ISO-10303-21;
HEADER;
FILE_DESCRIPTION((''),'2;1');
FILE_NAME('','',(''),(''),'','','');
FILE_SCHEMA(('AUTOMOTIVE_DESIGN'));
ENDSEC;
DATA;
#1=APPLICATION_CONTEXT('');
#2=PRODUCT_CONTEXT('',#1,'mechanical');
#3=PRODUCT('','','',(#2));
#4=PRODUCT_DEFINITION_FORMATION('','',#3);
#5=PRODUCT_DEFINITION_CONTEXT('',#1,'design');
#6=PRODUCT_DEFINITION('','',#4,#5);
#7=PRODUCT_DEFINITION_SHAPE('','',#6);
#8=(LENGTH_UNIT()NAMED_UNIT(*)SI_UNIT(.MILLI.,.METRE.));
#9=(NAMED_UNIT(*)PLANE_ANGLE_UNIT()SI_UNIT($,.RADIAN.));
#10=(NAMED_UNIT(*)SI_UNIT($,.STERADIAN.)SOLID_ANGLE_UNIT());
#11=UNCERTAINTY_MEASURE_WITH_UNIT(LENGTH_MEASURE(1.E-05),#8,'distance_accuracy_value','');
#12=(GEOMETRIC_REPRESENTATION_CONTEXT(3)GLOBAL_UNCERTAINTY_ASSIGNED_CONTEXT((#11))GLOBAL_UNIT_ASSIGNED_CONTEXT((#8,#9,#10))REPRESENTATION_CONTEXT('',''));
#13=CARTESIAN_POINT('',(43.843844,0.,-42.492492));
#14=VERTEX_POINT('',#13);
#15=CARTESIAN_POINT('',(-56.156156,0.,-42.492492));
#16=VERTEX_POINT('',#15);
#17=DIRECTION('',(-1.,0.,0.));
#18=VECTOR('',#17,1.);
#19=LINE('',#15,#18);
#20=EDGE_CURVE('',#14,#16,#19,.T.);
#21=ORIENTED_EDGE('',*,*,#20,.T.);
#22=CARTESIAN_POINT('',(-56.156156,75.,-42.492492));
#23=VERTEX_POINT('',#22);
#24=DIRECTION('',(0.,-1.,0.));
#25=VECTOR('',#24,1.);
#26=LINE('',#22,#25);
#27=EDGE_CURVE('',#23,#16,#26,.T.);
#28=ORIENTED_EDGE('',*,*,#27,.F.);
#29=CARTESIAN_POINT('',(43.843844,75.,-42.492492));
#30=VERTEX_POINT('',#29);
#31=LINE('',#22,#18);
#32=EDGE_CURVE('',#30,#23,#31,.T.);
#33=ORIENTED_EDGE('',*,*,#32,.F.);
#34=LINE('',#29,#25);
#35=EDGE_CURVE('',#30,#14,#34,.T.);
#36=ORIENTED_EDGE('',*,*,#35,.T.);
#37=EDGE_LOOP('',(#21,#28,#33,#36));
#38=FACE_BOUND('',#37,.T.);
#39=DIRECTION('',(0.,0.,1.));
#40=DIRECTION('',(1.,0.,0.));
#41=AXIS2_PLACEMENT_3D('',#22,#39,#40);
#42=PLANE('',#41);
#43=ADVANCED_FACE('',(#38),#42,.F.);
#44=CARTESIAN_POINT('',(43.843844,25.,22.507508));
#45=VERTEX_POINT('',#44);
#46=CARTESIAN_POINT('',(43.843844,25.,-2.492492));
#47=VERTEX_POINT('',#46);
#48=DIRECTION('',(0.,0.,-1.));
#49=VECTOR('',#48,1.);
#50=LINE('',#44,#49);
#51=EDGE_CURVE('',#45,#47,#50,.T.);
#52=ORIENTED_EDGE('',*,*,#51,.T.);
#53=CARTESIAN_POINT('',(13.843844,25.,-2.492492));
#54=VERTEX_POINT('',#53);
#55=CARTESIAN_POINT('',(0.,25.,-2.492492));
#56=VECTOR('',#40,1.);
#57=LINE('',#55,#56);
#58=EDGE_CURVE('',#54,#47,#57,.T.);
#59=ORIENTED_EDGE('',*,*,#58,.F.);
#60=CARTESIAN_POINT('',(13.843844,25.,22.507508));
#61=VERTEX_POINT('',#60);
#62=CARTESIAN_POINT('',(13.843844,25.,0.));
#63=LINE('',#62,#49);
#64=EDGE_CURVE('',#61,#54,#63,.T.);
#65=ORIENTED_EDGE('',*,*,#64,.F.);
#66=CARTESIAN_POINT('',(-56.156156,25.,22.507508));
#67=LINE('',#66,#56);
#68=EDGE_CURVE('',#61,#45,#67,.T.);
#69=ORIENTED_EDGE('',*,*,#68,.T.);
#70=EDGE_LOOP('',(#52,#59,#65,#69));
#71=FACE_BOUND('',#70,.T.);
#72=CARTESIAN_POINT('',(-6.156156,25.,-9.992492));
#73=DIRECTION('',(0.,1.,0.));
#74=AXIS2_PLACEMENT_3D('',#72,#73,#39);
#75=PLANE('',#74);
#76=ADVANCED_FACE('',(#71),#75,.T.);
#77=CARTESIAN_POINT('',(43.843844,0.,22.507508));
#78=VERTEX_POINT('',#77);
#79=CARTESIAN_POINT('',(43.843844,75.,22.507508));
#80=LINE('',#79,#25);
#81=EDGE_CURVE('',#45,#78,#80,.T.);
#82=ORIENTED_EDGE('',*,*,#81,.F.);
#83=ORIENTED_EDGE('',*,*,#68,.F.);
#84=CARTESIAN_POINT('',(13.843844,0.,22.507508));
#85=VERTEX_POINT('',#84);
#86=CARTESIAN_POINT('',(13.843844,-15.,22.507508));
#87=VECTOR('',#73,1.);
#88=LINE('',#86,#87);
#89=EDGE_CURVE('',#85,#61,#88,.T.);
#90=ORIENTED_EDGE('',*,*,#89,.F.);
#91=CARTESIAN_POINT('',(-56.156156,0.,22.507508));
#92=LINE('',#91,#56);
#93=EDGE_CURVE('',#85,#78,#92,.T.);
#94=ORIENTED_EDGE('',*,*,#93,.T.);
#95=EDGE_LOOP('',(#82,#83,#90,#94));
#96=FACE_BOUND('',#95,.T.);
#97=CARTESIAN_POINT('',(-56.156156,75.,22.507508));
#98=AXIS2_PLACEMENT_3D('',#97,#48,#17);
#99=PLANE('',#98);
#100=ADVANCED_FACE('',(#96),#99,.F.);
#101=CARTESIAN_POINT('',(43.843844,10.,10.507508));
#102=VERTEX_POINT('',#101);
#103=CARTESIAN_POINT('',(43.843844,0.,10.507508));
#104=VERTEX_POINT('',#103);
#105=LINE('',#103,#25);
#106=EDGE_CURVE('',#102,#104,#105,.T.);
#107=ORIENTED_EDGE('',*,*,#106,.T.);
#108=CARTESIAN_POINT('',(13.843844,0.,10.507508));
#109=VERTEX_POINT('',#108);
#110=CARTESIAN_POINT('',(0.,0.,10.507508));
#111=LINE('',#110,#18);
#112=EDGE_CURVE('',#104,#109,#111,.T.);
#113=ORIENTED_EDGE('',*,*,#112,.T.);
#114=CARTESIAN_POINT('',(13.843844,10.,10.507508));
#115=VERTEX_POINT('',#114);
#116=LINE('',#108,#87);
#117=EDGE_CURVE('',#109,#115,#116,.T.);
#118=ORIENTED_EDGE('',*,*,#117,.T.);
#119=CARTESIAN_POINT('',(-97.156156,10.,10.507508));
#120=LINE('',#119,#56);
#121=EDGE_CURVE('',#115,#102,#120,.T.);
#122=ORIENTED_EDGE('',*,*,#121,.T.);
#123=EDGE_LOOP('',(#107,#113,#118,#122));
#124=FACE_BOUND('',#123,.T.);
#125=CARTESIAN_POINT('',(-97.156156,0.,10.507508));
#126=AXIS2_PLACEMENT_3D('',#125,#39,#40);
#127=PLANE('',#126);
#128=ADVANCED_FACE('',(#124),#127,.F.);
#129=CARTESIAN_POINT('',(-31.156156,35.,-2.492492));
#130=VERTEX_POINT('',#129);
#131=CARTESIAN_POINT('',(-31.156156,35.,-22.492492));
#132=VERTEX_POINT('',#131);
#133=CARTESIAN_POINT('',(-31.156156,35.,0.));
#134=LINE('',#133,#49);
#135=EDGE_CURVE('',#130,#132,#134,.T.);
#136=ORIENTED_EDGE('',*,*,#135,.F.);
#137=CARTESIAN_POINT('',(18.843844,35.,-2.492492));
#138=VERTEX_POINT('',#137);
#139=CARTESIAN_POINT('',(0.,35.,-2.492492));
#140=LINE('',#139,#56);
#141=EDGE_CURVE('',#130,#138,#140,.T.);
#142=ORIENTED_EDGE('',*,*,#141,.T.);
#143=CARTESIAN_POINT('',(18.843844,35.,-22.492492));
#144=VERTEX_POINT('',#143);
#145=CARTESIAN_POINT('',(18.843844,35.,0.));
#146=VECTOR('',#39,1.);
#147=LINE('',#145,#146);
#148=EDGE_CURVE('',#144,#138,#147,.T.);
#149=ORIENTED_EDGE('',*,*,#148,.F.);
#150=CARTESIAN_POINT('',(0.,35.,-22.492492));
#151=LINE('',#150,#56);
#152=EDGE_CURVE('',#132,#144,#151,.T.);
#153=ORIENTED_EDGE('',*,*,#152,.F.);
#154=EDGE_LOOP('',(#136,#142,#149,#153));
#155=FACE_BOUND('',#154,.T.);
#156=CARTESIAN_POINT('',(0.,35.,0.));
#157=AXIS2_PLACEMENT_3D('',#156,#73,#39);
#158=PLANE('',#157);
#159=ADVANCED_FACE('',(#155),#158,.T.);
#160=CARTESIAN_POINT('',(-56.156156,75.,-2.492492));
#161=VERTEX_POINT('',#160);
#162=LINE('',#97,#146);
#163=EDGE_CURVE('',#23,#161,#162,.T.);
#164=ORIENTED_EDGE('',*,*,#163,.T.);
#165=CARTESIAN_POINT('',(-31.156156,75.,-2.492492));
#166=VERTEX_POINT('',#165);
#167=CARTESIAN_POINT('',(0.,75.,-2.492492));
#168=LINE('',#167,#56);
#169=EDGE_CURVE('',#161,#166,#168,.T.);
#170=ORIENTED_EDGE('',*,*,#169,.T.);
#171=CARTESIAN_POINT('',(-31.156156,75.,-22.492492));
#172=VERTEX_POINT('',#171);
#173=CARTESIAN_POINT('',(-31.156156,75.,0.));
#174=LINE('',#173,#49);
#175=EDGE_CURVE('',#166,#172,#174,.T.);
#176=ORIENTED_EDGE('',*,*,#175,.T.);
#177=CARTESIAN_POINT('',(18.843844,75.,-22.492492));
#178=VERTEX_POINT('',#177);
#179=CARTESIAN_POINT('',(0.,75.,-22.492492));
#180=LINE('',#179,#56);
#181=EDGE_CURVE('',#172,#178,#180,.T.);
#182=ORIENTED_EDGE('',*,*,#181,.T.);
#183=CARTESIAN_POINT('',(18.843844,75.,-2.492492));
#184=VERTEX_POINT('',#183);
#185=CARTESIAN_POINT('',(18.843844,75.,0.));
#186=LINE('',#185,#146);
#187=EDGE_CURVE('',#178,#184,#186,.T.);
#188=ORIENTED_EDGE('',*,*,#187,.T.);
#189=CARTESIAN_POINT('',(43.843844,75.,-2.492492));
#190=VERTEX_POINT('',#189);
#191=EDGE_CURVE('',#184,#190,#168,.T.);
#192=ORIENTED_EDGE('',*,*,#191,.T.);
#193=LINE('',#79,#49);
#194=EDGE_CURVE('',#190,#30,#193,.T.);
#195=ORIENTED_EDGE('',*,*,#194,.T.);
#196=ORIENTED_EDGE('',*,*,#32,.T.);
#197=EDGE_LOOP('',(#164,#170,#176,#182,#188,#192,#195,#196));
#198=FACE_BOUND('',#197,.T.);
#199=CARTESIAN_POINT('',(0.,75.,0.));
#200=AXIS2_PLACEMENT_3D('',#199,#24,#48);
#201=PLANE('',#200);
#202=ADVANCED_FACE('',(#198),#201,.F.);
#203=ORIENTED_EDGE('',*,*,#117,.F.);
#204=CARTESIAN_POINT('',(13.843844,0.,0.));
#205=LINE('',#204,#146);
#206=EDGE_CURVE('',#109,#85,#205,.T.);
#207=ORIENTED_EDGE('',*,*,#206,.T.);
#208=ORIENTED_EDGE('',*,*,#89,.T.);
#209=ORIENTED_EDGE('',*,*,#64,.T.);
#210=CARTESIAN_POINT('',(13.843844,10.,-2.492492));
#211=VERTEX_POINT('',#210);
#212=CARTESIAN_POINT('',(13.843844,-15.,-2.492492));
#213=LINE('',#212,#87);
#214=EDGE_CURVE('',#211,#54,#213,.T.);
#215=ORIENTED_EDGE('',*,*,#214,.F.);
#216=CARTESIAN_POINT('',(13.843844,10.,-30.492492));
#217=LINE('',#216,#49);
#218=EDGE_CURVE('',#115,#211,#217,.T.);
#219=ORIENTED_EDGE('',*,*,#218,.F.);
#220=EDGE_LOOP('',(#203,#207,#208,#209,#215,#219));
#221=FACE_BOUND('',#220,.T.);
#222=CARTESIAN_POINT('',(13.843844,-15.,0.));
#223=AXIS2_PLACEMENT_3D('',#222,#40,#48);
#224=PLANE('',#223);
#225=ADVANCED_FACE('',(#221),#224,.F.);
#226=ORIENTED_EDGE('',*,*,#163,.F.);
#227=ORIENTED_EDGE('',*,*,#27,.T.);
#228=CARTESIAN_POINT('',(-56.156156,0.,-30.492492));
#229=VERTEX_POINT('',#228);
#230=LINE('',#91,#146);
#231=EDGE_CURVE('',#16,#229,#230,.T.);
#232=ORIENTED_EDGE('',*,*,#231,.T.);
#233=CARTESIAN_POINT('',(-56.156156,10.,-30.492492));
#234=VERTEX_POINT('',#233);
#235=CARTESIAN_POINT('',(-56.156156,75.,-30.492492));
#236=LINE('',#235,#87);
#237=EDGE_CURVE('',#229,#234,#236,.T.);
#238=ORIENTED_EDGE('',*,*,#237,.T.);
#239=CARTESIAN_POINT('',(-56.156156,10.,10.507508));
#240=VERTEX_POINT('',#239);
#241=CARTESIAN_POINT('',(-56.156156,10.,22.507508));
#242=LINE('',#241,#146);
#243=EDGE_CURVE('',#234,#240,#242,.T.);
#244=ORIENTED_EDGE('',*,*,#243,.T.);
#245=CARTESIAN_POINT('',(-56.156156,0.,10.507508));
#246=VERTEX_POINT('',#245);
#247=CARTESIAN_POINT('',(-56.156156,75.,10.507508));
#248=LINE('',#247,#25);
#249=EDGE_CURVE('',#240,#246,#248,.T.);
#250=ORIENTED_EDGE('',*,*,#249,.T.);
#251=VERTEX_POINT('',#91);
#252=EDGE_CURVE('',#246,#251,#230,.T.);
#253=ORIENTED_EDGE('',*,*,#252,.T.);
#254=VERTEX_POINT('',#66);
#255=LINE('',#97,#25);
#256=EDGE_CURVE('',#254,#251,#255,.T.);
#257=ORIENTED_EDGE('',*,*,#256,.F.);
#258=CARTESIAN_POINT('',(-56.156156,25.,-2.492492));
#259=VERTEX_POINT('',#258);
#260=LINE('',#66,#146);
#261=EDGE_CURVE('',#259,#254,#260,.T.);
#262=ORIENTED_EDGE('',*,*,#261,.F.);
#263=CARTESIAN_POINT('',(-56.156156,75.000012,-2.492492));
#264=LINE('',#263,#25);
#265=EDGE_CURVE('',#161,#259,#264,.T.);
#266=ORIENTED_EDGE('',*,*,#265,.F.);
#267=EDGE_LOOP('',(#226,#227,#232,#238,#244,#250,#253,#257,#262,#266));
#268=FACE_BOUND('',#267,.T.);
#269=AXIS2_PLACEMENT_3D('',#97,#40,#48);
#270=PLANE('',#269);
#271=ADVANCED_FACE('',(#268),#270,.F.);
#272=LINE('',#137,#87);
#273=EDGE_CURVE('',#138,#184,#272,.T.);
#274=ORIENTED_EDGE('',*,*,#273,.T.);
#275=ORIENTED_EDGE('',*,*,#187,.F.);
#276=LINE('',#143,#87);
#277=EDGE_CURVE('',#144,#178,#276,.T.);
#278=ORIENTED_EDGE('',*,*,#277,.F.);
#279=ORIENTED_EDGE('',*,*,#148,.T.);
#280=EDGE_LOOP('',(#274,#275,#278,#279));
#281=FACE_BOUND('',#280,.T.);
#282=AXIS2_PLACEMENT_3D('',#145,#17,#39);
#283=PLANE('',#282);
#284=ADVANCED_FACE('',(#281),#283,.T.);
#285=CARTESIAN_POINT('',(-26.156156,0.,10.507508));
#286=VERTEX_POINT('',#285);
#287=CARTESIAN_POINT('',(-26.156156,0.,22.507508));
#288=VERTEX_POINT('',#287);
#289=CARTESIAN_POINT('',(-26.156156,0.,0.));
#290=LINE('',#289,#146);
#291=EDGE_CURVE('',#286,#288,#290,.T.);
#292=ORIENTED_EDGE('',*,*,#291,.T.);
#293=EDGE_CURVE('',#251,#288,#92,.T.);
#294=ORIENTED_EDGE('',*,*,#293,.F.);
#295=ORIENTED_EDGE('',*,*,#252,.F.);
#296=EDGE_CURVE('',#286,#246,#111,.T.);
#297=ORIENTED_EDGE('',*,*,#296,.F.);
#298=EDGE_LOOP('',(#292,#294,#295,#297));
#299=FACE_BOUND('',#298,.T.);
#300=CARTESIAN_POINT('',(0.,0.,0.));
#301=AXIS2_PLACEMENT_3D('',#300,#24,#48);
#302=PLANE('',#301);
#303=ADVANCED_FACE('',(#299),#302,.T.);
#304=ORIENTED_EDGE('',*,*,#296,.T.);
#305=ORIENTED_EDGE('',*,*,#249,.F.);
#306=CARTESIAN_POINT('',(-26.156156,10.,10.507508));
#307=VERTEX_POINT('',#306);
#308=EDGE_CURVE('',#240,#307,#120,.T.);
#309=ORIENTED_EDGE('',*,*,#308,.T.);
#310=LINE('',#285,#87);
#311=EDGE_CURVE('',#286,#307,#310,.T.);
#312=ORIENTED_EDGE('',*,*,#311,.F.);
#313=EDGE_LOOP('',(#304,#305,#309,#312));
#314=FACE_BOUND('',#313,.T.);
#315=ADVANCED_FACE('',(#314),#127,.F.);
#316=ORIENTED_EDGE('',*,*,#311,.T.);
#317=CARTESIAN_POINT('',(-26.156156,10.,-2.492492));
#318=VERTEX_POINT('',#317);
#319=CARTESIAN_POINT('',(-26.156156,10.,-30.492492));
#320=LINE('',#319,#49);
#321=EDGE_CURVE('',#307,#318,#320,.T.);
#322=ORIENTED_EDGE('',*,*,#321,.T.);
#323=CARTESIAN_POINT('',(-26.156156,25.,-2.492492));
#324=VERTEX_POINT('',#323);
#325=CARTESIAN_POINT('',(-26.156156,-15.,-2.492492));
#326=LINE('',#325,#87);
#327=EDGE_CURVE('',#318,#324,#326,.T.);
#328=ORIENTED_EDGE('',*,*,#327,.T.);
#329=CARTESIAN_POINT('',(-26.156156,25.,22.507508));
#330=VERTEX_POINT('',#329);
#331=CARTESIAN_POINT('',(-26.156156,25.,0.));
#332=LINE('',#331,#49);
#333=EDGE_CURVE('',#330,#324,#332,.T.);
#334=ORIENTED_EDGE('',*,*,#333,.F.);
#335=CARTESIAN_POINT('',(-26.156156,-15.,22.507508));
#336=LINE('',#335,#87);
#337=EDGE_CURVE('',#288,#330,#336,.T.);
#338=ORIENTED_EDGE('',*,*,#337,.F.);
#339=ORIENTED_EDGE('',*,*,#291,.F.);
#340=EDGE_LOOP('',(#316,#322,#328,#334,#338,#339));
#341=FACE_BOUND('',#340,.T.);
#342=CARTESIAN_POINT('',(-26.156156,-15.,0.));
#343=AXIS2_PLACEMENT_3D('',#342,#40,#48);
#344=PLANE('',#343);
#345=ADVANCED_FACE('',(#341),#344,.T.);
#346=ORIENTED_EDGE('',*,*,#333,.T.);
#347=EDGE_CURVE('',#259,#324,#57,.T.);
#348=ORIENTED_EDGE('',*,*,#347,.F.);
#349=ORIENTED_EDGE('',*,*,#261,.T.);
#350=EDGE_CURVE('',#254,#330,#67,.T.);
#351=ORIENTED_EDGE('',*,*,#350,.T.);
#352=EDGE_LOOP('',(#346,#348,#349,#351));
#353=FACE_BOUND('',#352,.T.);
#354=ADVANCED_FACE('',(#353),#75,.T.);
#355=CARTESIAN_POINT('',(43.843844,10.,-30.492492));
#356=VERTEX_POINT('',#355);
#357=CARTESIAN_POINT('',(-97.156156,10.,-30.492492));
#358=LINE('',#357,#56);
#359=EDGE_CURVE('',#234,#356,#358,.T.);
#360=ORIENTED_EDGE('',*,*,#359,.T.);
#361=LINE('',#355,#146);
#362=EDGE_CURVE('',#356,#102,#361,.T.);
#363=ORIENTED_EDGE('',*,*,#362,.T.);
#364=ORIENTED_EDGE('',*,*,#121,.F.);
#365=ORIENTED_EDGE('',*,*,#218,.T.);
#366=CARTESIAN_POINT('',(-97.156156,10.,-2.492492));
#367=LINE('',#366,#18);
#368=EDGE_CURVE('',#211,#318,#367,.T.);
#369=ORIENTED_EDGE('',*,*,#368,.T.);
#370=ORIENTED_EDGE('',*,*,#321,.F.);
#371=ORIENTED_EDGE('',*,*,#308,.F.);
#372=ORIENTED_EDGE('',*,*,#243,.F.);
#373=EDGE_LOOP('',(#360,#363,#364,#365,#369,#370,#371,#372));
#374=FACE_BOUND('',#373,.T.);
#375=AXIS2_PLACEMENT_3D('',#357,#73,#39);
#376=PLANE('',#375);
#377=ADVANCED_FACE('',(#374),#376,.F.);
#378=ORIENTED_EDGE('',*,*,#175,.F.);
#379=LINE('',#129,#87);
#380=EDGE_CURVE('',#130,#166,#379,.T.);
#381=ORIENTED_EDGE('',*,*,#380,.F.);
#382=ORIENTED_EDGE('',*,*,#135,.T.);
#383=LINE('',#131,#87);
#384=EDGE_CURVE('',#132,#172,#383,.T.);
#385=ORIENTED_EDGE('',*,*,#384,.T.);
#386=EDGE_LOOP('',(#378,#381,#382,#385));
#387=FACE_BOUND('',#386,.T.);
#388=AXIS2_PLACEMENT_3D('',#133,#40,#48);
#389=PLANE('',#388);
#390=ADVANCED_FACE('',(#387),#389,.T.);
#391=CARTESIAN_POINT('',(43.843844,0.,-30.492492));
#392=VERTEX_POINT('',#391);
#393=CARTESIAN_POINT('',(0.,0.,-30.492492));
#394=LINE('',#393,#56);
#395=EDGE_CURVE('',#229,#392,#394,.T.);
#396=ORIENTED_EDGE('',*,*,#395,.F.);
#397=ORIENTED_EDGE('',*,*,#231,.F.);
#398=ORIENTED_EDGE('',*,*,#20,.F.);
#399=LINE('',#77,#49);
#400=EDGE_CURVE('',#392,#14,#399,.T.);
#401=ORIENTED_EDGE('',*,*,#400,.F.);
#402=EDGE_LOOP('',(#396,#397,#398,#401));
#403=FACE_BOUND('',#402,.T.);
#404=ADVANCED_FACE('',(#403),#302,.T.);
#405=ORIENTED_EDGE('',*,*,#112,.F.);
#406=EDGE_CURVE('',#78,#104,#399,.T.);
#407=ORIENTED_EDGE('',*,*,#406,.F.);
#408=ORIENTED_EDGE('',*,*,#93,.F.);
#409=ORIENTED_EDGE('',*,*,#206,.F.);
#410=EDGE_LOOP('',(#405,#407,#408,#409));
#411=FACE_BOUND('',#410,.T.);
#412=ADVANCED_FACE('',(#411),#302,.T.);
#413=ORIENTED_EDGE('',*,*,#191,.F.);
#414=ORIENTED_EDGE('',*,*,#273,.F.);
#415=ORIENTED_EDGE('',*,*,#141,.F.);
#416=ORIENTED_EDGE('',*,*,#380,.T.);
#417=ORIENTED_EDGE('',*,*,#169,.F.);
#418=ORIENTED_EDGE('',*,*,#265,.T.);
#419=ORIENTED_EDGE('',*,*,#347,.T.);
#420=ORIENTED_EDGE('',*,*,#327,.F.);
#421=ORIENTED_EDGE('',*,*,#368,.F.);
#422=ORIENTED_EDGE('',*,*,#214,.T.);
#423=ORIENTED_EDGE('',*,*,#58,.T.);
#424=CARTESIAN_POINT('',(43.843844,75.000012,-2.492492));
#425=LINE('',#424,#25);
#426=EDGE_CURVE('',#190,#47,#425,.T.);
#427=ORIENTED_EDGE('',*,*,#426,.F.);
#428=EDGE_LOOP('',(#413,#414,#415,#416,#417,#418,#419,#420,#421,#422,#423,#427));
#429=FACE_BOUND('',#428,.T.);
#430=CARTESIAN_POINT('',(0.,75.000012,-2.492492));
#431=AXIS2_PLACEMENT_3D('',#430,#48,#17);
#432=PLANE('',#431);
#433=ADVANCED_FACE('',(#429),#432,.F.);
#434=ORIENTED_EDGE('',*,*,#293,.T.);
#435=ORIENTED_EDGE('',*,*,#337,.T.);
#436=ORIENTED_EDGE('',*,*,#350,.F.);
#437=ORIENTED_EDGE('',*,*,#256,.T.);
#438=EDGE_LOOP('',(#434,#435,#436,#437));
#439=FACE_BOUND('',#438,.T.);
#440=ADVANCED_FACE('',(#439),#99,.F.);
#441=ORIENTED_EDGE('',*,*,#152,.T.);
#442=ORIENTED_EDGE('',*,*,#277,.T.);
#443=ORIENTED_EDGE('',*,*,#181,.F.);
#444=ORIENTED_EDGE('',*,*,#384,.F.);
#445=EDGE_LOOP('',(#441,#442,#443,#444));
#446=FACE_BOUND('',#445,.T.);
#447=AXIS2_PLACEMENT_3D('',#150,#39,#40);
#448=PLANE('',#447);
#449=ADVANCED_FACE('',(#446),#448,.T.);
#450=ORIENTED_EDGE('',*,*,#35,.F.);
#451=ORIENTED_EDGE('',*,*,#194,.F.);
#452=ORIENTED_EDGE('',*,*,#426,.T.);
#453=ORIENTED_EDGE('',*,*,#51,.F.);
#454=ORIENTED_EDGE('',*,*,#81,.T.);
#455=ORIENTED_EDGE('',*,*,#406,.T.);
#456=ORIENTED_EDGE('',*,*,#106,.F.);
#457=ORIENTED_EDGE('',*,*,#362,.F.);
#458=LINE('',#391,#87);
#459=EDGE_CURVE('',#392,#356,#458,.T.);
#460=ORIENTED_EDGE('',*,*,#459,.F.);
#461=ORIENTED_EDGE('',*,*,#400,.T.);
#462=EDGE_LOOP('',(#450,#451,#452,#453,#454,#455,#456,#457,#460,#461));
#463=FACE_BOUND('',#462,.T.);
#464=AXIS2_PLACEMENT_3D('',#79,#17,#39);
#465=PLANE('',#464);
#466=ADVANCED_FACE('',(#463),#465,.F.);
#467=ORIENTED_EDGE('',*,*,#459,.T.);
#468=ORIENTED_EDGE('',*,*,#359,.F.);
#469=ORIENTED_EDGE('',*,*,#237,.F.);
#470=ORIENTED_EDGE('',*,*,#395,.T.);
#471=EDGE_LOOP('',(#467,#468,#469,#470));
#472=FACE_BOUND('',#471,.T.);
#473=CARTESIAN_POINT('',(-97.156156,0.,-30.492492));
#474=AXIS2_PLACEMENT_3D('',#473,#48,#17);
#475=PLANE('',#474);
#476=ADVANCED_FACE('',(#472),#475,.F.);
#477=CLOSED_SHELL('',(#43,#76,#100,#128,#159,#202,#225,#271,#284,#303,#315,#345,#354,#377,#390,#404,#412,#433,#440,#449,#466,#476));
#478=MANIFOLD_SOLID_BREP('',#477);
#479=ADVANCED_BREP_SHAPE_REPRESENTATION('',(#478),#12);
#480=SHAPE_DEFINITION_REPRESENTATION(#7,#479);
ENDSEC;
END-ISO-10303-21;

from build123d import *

# Parameters (mm, degrees)
SKETCH1_W               = 100
SKETCH1_H               = 65
BOSS_EXTRUDE1_DEPTH     = 75
SKETCH5_W               = 41
SKETCH5_H               = 10
CUT_EXTRUDE1_DEPTH      = 141
SKETCH6_OUTSIDE_W       = 130.178
SKETCH6_OUTSIDE_H       = 95.178
SKETCH6_OUTSIDE_W_2     = 100
SKETCH6_OUTSIDE_H_2     = 40
CUT_EXTRUDE2_DEPTH      = 1
CUT_EXTRUDE2_DEPTH_BACK = 50
SKETCH7_W               = 50
SKETCH7_H               = 20
CUT_EXTRUDE3_DEPTH      = 40
SKETCH10_W              = 40
SKETCH10_H              = 25
CUT_EXTRUDE4_DEPTH      = 40


with BuildPart() as part:
    # Sketch1 → Boss-Extrude1 (new body)
    with BuildSketch(Plane(origin=(0, 0, 0), x_dir=(1, 0, 0), z_dir=(0, 1, 0))):
        with Locations((-6.156156156, 9.992492492)):
            Rectangle(SKETCH1_W, SKETCH1_H)
    extrude(amount=BOSS_EXTRUDE1_DEPTH)

    # Sketch5 → Cut-Extrude1 (cut)
    with BuildSketch(Plane(origin=(43.843843844, 0, 0), x_dir=(0, 0, -1), z_dir=(1, 0, 0))):
        with Locations((9.992492492, 5)):
            Rectangle(SKETCH5_W, SKETCH5_H)
    extrude(amount=-CUT_EXTRUDE1_DEPTH, mode=Mode.SUBTRACT)

    # Sketch6 outside → Cut-Extrude2 (cut, two sides)
    with BuildSketch(Plane(origin=(0, 75, 0), x_dir=(1, 0, 0), z_dir=(0, 1, 0))) as cut_extrude2_sk:
        with Locations((-6.156, 9.992)):
            Rectangle(SKETCH6_OUTSIDE_W, SKETCH6_OUTSIDE_H)
        with Locations((-6.156156156, 22.492492492)):
            Rectangle(SKETCH6_OUTSIDE_W_2, SKETCH6_OUTSIDE_H_2, mode=Mode.SUBTRACT)
    extrude(amount=CUT_EXTRUDE2_DEPTH, mode=Mode.SUBTRACT)
    extrude(cut_extrude2_sk.sketch, amount=-CUT_EXTRUDE2_DEPTH_BACK, mode=Mode.SUBTRACT)

    # Sketch7 → Cut-Extrude3 (cut)
    with BuildSketch(Plane(origin=(0, 75, 0), x_dir=(1, 0, 0), z_dir=(0, 1, 0))):
        with Locations((-6.156156156, 12.492492492)):
            Rectangle(SKETCH7_W, SKETCH7_H)
    extrude(amount=-CUT_EXTRUDE3_DEPTH, mode=Mode.SUBTRACT)

    # Sketch10 → Cut-Extrude4 (cut)
    with BuildSketch(Plane(origin=(0, 25, 0), x_dir=(1, 0, 0), z_dir=(0, 1, 0))):
        with Locations((-6.156156156, -10.007507508)):
            Rectangle(SKETCH10_W, SKETCH10_H)
    extrude(amount=-CUT_EXTRUDE4_DEPTH, mode=Mode.SUBTRACT)


solid = part.part
